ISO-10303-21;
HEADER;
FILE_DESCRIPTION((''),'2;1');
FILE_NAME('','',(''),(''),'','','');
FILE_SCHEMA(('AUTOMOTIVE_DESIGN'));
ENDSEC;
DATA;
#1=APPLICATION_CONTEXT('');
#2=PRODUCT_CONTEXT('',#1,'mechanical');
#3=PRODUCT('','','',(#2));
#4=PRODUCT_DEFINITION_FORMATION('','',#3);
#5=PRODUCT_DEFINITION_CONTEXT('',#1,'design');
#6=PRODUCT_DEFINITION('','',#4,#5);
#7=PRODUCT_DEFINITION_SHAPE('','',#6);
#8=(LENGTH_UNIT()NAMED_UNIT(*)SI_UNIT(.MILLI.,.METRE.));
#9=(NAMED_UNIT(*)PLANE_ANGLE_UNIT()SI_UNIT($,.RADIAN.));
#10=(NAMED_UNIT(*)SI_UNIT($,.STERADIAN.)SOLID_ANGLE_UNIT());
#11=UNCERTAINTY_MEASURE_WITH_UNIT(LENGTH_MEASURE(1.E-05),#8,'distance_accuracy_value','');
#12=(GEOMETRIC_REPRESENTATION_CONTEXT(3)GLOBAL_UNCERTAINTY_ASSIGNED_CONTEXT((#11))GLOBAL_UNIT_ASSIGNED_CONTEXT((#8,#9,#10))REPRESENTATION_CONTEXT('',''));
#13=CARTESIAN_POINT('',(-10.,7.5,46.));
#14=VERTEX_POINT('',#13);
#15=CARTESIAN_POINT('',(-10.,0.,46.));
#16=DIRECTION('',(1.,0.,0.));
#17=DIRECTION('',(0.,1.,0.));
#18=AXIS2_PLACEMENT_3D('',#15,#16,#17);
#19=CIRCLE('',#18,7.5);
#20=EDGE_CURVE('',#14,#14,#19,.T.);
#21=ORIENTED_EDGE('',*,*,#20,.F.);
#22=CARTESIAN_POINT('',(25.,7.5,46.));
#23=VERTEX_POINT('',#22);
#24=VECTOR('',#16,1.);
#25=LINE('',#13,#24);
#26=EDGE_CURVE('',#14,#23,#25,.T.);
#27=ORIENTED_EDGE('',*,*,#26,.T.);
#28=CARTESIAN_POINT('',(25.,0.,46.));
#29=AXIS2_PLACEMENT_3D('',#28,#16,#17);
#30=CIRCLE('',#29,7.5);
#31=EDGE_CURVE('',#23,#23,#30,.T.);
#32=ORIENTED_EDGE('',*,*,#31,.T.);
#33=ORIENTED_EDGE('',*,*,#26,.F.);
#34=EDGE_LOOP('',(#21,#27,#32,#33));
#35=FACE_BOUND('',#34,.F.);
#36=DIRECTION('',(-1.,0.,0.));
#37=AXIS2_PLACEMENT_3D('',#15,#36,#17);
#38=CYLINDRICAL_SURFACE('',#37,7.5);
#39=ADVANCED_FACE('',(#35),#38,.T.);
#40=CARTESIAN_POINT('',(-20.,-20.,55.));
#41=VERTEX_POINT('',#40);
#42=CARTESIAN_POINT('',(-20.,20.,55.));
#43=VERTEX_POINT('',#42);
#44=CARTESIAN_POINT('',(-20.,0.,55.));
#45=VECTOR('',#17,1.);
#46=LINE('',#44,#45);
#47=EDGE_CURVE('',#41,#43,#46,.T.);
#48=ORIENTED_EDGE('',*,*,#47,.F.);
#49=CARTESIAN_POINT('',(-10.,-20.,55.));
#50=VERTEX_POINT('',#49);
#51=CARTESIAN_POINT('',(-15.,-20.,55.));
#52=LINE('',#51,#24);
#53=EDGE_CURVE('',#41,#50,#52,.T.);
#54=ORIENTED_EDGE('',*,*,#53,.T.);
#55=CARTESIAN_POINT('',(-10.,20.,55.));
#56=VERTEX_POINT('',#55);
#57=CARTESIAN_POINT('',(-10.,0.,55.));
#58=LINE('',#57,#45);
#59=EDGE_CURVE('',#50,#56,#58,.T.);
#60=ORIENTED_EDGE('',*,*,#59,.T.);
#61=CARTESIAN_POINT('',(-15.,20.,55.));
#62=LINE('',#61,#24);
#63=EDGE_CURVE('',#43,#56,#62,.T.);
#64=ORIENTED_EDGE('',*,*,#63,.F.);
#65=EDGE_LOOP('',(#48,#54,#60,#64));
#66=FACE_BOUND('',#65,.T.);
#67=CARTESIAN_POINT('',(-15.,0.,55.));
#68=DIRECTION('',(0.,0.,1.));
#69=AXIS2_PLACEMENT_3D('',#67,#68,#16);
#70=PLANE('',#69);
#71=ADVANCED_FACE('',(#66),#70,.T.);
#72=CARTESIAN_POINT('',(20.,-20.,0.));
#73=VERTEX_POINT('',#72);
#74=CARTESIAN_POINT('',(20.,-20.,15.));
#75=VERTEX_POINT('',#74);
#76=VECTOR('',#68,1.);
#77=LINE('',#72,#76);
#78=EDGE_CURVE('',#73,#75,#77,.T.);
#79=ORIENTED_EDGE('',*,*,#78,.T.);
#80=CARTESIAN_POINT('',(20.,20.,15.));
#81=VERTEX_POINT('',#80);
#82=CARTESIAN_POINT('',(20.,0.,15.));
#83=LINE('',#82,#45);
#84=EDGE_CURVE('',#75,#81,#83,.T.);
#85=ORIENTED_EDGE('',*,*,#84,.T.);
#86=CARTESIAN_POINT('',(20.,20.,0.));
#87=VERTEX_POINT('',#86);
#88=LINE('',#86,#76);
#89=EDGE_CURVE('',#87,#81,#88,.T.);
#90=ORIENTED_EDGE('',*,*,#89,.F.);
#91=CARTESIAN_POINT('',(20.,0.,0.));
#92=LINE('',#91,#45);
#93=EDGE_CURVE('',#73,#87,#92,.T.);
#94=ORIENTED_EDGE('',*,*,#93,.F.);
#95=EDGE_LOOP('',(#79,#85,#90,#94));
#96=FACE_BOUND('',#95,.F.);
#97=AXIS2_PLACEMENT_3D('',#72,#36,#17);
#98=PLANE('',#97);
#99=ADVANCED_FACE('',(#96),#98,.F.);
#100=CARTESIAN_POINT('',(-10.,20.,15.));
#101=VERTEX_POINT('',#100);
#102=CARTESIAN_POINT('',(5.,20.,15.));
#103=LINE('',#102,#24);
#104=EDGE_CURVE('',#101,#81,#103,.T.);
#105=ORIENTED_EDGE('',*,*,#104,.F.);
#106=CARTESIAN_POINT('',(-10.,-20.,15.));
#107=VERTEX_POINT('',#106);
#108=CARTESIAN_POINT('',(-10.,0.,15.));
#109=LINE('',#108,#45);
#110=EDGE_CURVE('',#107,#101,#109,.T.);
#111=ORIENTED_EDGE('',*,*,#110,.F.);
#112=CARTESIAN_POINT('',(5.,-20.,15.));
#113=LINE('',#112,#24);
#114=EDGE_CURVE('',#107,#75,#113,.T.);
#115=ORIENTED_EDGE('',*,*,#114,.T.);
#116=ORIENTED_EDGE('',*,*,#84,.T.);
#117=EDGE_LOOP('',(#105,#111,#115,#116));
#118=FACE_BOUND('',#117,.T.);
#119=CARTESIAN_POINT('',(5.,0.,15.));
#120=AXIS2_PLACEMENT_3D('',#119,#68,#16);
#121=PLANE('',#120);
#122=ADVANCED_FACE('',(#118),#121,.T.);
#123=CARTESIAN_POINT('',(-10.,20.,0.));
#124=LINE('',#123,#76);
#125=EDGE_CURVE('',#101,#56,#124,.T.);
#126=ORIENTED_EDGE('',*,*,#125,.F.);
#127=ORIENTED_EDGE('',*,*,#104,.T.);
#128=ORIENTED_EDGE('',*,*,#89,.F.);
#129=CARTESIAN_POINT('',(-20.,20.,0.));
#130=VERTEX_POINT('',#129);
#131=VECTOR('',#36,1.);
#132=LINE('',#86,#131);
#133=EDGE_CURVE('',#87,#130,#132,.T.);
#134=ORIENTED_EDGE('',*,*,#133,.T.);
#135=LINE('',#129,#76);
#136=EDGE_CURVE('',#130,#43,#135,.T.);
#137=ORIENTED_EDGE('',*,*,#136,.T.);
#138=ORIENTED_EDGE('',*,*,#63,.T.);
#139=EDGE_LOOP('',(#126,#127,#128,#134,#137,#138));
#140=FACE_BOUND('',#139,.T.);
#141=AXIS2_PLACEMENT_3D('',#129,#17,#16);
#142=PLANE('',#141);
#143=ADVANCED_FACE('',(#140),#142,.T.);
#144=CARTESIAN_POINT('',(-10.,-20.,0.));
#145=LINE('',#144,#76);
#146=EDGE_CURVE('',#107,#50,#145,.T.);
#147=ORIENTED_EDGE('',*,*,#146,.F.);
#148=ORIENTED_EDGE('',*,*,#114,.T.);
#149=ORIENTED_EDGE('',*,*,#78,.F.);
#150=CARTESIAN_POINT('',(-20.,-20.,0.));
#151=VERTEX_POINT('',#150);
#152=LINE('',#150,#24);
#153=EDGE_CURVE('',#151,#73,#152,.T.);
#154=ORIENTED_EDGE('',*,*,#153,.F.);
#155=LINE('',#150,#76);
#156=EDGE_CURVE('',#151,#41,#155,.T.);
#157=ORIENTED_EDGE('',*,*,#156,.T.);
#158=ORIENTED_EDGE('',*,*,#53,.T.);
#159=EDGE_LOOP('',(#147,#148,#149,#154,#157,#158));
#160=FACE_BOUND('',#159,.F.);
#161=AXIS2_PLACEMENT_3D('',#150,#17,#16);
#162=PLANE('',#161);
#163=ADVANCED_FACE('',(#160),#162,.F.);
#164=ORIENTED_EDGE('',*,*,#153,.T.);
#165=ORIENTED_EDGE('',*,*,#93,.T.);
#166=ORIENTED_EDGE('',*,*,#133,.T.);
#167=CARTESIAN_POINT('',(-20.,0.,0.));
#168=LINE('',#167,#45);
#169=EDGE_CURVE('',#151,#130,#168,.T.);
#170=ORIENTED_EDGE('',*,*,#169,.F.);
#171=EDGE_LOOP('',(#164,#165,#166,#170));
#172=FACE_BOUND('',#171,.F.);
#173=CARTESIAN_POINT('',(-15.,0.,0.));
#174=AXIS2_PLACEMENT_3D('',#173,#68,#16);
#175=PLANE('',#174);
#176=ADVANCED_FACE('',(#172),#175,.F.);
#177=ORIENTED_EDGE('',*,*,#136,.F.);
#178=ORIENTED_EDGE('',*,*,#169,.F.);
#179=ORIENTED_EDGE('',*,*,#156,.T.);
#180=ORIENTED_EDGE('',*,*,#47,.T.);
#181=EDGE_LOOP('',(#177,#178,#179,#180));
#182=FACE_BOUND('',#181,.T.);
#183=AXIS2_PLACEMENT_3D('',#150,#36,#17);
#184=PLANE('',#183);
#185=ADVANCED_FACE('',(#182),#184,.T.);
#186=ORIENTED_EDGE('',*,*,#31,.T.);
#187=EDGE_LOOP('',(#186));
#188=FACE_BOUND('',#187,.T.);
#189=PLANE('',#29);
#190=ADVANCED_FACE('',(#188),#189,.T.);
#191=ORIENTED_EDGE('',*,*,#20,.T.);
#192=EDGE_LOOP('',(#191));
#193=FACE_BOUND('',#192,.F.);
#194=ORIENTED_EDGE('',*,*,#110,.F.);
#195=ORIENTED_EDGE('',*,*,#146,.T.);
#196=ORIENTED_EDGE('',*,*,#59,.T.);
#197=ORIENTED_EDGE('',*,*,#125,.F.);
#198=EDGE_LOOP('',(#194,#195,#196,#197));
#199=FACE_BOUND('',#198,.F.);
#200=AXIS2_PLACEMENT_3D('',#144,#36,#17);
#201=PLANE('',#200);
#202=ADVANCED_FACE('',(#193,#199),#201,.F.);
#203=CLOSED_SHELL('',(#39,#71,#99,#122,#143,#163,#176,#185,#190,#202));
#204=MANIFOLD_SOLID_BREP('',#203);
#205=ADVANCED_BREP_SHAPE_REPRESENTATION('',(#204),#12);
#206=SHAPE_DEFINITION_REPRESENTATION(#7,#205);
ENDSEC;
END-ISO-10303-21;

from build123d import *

# Parameters (mm, degrees)
F0_W     = 30
F0_H     = 40
F1_DEPTH = 15
F0_W_2   = 10
F2_DEPTH = 55
F3_R     = 7.5
F4_DEPTH = 35


with BuildPart() as f1:
    # F0 (on Top) → F1 (new body)
    with BuildSketch(Plane.XY):
        with Locations((5, 0)):
            Rectangle(F0_W, F0_H)
    extrude(amount=F1_DEPTH)

    # F0 (on Top) → F2 (join)
    with BuildSketch(Plane.XY):
        with Locations((-15, 0)):
            Rectangle(F0_W_2, F0_H)
    extrude(amount=F2_DEPTH)

    # F3 (on face) → F4 (join)
    with BuildSketch(Plane.YZ.offset(-10)):
        with Locations((0, 46)):
            Circle(F3_R)
    extrude(amount=F4_DEPTH)


solid = f1.part
